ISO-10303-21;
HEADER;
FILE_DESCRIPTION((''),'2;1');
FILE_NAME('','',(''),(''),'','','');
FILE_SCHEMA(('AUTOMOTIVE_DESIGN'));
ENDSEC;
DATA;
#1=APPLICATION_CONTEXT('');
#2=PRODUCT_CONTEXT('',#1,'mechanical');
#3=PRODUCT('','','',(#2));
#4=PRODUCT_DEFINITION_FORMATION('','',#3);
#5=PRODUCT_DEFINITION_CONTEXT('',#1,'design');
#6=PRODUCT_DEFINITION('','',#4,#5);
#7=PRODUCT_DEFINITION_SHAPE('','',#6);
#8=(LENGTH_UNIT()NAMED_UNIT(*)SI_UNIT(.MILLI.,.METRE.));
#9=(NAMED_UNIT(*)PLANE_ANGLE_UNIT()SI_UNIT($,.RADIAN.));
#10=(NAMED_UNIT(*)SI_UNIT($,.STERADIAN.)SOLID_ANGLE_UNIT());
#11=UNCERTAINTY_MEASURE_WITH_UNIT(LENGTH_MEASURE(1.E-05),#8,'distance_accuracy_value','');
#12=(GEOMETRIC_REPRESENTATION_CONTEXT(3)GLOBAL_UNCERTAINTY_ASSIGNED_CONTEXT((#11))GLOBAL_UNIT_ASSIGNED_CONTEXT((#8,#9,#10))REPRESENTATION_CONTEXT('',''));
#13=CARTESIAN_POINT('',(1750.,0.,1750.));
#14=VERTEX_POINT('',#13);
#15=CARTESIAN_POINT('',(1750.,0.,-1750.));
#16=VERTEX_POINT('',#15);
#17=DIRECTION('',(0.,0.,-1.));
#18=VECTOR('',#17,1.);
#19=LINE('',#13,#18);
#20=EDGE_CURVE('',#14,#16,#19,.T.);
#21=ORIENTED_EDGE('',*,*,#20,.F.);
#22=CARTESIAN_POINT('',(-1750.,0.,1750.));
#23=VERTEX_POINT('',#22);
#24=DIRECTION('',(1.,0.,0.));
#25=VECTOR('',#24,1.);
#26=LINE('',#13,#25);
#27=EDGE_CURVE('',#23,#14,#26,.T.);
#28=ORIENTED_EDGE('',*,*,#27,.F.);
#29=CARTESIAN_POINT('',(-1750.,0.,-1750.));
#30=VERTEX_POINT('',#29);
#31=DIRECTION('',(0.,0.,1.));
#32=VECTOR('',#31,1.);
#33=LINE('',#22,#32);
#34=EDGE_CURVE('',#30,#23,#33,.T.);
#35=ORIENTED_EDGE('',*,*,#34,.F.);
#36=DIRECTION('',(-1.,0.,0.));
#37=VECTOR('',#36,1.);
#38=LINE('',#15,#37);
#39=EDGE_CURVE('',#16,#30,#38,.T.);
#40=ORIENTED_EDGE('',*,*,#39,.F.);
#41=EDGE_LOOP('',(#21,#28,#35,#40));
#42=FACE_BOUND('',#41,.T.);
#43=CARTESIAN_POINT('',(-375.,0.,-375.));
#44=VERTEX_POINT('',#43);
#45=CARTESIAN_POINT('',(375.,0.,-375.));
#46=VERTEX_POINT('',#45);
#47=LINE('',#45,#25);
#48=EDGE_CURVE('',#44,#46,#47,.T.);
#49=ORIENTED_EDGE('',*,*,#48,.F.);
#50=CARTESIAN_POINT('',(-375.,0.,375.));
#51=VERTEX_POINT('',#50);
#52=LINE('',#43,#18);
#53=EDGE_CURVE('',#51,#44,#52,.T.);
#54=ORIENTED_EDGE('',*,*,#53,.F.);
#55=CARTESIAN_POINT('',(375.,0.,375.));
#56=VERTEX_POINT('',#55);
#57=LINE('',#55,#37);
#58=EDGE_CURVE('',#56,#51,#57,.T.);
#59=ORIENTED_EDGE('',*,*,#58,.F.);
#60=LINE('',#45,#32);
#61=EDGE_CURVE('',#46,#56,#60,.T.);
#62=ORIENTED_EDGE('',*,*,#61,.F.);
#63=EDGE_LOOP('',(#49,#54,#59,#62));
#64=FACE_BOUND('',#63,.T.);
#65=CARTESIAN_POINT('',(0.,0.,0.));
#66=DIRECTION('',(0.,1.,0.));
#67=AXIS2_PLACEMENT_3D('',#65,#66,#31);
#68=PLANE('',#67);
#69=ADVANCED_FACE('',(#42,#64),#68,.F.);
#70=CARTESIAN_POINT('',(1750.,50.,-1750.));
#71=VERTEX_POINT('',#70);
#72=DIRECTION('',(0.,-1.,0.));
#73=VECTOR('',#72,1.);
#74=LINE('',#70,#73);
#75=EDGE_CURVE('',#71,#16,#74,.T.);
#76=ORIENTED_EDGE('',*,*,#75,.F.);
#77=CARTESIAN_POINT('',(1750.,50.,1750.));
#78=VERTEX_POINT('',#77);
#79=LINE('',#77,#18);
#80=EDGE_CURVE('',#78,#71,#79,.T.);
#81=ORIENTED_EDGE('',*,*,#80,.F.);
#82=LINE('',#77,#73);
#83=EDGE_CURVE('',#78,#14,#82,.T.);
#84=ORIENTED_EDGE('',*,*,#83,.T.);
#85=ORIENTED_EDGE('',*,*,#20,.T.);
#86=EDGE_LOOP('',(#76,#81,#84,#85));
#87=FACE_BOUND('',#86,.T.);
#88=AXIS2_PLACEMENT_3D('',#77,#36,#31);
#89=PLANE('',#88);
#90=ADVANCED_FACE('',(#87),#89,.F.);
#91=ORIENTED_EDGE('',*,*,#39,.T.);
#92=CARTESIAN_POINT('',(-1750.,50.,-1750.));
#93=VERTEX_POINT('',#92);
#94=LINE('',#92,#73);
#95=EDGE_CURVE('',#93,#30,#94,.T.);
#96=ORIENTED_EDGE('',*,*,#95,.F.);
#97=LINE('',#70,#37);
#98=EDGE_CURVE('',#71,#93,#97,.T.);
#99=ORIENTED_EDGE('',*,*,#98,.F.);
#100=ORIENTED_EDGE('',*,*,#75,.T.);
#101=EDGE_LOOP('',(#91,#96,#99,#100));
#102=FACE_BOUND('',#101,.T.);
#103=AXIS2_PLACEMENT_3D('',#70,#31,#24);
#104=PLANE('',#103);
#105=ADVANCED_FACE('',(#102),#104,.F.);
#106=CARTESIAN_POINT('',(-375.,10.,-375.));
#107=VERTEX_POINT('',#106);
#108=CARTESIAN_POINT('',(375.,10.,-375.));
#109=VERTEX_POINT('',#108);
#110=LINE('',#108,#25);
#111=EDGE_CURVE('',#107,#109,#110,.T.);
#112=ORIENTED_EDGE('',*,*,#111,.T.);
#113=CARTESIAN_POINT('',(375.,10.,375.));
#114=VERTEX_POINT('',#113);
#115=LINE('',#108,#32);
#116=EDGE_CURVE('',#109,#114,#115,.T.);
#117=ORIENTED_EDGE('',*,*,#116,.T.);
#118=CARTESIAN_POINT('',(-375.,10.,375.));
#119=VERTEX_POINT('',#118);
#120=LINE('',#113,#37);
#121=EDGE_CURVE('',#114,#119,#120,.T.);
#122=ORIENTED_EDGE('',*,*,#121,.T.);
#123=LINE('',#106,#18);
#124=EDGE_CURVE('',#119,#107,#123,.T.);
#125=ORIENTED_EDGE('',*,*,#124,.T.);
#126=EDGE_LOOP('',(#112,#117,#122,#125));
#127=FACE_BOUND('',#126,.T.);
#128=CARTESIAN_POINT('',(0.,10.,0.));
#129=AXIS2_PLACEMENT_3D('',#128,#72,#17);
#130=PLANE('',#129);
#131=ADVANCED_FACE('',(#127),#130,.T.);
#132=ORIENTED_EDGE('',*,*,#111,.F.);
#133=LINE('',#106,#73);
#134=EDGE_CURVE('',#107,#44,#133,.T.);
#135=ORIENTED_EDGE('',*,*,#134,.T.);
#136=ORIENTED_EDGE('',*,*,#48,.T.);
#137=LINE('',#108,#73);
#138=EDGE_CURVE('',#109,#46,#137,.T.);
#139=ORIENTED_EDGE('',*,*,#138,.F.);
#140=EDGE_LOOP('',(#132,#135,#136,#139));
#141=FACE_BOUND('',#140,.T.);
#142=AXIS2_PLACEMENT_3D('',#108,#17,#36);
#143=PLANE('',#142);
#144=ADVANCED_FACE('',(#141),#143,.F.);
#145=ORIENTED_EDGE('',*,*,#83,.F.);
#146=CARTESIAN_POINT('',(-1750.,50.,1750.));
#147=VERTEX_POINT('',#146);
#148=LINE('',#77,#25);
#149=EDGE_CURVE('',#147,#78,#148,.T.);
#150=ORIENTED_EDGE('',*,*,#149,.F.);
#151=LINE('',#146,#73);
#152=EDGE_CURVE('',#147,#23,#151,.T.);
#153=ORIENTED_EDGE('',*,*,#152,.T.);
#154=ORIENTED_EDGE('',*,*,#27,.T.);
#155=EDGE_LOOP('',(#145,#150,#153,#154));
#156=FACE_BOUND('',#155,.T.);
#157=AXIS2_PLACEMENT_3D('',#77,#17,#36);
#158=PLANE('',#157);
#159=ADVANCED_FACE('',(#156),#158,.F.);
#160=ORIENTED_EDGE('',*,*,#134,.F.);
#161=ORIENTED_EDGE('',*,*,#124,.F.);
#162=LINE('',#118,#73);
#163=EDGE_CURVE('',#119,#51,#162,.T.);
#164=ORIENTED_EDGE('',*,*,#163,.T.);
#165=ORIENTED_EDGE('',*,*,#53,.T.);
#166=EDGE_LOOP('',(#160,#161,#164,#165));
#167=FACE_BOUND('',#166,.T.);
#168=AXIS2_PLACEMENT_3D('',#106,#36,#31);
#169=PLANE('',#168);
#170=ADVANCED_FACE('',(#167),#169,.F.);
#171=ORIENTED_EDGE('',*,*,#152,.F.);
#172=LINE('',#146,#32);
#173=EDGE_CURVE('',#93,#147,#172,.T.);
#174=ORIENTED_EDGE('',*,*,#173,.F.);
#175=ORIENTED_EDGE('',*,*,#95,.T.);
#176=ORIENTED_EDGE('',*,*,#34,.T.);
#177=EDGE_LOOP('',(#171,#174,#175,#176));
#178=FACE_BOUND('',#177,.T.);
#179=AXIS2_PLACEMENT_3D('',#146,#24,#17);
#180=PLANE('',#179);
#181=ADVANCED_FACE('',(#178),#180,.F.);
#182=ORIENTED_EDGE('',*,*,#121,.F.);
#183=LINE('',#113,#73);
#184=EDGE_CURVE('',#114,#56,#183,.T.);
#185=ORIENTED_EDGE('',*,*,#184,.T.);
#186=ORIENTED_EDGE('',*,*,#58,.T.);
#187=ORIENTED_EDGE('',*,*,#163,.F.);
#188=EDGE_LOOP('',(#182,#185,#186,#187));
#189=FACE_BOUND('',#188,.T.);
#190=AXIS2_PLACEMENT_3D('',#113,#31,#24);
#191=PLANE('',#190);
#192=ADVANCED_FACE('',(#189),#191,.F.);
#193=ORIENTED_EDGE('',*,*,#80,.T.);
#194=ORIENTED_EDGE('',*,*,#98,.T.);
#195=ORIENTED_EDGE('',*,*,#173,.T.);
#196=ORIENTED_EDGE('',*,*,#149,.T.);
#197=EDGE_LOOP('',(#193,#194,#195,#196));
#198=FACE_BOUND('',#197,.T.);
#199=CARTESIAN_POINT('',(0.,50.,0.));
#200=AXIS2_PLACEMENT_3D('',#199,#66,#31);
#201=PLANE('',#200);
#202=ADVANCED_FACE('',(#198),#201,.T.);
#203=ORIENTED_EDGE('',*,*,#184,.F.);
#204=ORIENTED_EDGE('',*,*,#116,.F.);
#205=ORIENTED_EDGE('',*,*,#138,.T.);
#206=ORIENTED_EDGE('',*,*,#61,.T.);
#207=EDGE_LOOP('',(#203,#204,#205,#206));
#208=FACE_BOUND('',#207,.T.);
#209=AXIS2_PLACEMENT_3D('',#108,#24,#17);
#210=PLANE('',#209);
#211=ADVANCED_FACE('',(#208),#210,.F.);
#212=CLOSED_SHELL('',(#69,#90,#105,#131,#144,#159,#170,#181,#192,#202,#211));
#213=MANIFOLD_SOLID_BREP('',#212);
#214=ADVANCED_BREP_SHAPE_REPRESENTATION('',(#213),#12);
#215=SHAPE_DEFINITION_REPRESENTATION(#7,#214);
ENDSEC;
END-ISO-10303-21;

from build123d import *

# Parameters (mm, degrees)
SKETCH1_W           = 3500
SKETCH1_H           = 3500
BOSS_EXTRUDE1_DEPTH = 50
SKETCH2_W           = 750
SKETCH2_H           = 750
CUT_EXTRUDE1_DEPTH  = 10


with BuildPart() as part:
    # Sketch1 → Boss-Extrude1 (new body)
    with BuildSketch(Plane(origin=(0, 0, 0), x_dir=(1, 0, 0), z_dir=(0, 1, 0))):
        Rectangle(SKETCH1_W, SKETCH1_H)
    extrude(amount=BOSS_EXTRUDE1_DEPTH)

    # Sketch2 → Cut-Extrude1 (cut)
    with BuildSketch(Plane.XZ):
        Rectangle(SKETCH2_W, SKETCH2_H)
    extrude(amount=-CUT_EXTRUDE1_DEPTH, mode=Mode.SUBTRACT)


solid = part.part
